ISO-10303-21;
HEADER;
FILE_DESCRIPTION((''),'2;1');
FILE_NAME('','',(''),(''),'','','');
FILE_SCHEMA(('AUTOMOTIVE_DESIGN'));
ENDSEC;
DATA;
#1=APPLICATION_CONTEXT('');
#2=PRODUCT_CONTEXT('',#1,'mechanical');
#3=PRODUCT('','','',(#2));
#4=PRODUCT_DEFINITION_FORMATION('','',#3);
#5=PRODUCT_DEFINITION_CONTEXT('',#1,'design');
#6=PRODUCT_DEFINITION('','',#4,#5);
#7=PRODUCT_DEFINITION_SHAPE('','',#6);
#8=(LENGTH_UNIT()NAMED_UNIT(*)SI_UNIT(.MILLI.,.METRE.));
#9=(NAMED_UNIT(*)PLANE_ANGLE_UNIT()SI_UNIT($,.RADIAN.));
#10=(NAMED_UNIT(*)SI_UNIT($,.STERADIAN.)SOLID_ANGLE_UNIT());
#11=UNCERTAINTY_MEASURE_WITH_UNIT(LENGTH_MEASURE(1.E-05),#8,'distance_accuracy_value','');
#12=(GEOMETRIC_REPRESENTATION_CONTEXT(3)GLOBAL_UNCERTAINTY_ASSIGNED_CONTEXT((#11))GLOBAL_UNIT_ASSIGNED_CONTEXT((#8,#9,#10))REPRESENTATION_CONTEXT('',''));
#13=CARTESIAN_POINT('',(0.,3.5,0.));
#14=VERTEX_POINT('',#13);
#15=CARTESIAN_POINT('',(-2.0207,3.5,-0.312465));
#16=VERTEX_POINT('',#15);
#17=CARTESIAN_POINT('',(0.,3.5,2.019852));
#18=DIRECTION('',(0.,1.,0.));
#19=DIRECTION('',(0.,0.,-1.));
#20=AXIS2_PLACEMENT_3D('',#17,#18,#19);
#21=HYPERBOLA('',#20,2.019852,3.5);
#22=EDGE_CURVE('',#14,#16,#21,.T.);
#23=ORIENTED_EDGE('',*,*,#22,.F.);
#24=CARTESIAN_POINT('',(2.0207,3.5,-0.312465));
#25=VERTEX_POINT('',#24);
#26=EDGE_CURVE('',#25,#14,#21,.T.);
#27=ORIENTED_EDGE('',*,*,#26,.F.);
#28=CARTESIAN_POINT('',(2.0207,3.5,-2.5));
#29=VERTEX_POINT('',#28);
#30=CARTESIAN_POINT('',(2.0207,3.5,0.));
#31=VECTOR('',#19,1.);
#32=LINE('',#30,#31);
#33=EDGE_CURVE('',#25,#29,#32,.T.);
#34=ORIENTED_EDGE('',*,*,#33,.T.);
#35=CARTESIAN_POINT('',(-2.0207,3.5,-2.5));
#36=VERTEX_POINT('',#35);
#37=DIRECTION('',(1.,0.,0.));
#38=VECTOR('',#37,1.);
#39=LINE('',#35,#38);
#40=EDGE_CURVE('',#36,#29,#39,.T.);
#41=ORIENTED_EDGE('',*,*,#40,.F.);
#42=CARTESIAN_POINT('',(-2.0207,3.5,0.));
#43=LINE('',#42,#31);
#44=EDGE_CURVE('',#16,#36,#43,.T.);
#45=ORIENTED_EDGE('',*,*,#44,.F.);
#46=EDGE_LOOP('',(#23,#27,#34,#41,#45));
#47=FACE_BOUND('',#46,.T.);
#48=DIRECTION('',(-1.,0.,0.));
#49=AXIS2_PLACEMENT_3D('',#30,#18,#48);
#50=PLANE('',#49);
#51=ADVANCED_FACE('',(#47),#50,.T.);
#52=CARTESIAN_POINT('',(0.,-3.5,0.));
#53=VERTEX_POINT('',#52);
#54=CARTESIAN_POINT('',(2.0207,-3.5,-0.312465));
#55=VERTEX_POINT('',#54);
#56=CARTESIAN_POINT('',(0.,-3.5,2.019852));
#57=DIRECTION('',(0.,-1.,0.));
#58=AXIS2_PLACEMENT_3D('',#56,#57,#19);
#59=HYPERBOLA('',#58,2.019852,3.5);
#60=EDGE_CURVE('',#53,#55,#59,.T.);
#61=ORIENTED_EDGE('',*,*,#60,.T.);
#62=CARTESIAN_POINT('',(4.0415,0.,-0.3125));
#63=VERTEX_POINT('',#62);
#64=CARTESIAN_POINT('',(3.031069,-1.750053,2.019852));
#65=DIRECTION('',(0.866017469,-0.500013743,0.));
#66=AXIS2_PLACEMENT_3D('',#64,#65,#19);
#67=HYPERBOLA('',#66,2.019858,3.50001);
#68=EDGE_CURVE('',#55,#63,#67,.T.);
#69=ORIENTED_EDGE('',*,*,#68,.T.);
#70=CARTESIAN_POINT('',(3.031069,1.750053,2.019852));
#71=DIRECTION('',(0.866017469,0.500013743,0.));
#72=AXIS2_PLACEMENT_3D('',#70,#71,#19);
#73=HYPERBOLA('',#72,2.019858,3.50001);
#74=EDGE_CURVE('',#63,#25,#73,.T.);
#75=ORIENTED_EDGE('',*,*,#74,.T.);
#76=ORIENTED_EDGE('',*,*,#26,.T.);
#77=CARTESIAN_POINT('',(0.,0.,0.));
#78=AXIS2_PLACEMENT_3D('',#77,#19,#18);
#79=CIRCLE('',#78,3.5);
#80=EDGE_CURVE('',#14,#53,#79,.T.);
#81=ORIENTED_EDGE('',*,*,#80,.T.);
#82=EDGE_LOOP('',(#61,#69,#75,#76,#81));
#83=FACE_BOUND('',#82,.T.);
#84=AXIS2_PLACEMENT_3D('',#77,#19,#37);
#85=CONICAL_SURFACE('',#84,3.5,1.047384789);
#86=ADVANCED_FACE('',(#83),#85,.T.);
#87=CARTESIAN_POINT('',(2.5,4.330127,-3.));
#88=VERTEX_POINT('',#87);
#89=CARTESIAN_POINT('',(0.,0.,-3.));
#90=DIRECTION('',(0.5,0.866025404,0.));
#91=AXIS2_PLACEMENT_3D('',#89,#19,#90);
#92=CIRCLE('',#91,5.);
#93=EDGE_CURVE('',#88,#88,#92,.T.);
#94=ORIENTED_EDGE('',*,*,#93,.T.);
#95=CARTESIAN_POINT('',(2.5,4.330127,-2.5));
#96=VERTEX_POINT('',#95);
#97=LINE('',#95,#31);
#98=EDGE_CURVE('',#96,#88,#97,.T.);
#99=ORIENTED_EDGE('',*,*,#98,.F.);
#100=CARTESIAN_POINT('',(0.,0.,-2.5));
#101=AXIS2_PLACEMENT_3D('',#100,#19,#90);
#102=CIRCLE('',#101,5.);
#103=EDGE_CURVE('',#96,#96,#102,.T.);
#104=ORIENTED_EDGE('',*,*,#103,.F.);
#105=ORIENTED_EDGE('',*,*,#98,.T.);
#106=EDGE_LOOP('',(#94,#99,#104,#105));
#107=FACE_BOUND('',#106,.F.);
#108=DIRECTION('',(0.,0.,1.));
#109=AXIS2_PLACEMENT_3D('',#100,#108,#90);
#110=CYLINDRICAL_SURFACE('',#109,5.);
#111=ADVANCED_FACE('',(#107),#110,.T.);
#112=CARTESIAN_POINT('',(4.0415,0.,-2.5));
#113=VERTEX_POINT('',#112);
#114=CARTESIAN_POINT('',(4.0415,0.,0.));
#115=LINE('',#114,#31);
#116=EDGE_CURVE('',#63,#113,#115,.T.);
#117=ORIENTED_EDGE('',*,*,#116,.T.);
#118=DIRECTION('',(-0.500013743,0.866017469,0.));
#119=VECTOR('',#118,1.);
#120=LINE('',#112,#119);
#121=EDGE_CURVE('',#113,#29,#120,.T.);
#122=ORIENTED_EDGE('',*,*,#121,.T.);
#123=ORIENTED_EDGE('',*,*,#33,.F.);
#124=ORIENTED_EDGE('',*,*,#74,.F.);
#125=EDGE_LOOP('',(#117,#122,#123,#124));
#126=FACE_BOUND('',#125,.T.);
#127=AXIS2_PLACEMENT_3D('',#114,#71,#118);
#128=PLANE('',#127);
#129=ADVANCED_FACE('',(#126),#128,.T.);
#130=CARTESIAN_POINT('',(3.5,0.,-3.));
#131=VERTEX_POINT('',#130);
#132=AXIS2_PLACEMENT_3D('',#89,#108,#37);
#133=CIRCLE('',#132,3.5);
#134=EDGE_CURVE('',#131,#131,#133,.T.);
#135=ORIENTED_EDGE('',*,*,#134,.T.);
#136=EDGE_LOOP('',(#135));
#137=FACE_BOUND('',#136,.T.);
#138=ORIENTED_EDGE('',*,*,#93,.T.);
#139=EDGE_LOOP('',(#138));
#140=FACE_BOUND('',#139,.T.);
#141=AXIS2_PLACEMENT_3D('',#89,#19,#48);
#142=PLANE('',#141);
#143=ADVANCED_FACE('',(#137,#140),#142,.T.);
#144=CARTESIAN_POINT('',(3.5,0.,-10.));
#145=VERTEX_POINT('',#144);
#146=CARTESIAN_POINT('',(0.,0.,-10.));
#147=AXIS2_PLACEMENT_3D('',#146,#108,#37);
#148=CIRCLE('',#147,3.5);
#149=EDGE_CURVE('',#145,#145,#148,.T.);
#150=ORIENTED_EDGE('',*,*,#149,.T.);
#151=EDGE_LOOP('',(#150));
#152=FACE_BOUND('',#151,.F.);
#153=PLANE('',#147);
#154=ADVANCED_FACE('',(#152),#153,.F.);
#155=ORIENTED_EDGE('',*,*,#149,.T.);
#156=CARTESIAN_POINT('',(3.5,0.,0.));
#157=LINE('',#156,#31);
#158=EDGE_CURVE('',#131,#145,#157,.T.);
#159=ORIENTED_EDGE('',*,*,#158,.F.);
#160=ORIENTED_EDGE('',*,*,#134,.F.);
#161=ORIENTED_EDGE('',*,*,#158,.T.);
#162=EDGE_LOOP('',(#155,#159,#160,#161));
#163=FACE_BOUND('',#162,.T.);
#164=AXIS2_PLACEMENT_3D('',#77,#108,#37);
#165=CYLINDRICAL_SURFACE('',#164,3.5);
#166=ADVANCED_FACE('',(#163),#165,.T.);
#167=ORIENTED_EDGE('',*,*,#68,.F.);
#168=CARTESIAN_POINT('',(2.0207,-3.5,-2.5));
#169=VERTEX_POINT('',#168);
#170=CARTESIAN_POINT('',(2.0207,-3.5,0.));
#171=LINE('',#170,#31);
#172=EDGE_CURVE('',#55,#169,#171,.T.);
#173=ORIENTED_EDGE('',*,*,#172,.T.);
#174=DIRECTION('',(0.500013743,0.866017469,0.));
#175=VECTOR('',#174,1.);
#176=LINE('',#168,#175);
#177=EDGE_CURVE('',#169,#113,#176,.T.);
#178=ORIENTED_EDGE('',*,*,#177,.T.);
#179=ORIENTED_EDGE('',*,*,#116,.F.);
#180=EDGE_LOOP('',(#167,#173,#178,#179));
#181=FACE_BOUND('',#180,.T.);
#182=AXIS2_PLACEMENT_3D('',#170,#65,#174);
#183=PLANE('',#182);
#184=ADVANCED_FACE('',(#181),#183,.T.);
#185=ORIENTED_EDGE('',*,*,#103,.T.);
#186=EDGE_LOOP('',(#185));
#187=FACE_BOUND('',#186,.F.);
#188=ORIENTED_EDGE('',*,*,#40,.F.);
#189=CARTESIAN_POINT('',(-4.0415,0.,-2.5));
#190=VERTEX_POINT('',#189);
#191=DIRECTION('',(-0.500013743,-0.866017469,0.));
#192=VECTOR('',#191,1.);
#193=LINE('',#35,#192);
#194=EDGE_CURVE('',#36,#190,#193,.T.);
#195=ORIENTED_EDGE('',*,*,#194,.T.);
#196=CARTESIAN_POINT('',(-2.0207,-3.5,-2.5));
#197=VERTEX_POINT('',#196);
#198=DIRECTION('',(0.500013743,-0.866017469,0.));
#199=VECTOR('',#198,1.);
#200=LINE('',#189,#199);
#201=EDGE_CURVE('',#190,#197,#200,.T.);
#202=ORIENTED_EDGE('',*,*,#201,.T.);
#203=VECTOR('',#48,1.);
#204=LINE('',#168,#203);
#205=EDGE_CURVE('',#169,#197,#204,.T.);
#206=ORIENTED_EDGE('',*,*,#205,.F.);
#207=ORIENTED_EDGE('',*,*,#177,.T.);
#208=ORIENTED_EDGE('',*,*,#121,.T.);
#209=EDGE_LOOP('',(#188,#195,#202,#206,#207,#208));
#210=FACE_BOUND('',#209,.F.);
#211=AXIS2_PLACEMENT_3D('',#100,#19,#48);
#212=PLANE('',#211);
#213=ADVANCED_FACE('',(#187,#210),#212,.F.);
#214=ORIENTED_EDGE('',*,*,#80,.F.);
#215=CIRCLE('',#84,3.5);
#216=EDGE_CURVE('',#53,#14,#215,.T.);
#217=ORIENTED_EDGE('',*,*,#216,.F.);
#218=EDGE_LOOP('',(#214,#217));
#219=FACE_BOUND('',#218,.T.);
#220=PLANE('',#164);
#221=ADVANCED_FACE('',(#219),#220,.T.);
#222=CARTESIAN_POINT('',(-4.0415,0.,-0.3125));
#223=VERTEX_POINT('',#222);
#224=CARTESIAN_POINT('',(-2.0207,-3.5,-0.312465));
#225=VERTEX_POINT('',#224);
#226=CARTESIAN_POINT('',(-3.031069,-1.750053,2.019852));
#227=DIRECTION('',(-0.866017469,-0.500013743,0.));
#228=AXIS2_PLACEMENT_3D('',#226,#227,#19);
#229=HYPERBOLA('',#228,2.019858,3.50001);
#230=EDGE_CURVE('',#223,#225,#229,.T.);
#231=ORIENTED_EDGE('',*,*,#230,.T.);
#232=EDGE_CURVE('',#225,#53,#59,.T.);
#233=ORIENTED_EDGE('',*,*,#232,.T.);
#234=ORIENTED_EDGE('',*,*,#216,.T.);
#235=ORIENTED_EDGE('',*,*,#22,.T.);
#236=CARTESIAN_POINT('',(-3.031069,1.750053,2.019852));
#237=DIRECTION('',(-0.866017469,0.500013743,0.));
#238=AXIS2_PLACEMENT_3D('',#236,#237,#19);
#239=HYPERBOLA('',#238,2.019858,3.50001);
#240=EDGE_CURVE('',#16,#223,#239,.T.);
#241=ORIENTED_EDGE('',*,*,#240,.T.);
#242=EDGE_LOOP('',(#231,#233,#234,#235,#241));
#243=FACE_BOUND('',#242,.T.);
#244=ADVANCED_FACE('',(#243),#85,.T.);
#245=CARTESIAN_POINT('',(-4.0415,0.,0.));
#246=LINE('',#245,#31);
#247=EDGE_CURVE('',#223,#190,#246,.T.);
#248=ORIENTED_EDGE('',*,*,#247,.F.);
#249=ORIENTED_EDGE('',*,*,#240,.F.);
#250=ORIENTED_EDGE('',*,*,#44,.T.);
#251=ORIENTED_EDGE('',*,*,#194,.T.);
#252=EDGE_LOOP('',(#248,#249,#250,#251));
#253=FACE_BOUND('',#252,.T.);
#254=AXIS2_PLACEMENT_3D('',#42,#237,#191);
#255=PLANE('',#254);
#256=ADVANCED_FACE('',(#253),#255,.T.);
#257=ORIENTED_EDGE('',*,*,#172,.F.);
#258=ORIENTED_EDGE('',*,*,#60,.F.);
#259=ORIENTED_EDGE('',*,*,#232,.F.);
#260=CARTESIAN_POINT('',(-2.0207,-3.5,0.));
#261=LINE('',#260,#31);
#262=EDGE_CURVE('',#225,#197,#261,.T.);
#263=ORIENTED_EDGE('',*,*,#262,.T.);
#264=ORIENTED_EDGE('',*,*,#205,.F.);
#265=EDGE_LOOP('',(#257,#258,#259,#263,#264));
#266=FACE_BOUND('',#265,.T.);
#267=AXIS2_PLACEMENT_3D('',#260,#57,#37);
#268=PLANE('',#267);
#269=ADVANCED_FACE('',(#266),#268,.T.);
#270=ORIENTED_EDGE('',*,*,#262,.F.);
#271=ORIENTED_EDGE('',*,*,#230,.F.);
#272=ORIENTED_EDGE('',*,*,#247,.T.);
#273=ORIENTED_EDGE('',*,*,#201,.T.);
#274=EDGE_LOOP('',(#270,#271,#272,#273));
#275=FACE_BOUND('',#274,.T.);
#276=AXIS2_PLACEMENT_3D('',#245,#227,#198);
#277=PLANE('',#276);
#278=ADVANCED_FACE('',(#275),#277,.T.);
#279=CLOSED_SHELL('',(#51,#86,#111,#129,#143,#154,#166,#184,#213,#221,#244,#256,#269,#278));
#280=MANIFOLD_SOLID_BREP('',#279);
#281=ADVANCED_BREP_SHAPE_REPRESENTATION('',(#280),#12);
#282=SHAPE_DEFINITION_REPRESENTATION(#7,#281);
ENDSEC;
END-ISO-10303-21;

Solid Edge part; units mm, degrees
sketch "Sketch1" plane through (0, 0, 0) normal (0, 0, 1) x (1, 0, 0)
  line L0 (2.0207, -3.5) -> (4.0415, 0)
  line L1 (4.0415, 0) -> (2.0207, 3.5)
  line L2 (2.0207, 3.5) -> (-2.0207, 3.5)
  line L3 (-2.0207, 3.5) -> (-4.0415, 0)
  line L4 (-4.0415, 0) -> (-2.0207, -3.5)
  line L5 (-2.0207, -3.5) -> (2.0207, -3.5)
extrude "Protrusion1" add sketch "Sketch1" against normal blind 2.5
sketch "Sketch2" plane through (0, 0, 0) normal (0, -1, 0) x (1, 0, 0)
  line L0 (3.5, 0) -> (4.0415, -0.3125)
  line L1 (4.0415, -0.3125) -> (4.0415, 0)
  line L2 (4.0415, 0) -> (3.5, 0)
revolve "RevolvedCutout1" cut sketch "Sketch2" angle 360 about axis through (0, 0, 0.6231) along (0, 0, -1)
sketch "Sketch3" plane through (0, 0, -2.5) normal (0, 0, -1) x (0.5, 0.866, 0)
  circle A0 centre (0, 0) radius 5
extrude "ExtrudedProtrusion_2" add sketch "Sketch3" along normal blind 0.5
sketch "Sketch4" plane through (0, 0, 0) normal (0, 0, 1) x (1, 0, 0)
  circle A0 centre (0, 0) radius 3.5
extrude "ExtrudedProtrusion_3" add sketch "Sketch4" against normal blind 10
